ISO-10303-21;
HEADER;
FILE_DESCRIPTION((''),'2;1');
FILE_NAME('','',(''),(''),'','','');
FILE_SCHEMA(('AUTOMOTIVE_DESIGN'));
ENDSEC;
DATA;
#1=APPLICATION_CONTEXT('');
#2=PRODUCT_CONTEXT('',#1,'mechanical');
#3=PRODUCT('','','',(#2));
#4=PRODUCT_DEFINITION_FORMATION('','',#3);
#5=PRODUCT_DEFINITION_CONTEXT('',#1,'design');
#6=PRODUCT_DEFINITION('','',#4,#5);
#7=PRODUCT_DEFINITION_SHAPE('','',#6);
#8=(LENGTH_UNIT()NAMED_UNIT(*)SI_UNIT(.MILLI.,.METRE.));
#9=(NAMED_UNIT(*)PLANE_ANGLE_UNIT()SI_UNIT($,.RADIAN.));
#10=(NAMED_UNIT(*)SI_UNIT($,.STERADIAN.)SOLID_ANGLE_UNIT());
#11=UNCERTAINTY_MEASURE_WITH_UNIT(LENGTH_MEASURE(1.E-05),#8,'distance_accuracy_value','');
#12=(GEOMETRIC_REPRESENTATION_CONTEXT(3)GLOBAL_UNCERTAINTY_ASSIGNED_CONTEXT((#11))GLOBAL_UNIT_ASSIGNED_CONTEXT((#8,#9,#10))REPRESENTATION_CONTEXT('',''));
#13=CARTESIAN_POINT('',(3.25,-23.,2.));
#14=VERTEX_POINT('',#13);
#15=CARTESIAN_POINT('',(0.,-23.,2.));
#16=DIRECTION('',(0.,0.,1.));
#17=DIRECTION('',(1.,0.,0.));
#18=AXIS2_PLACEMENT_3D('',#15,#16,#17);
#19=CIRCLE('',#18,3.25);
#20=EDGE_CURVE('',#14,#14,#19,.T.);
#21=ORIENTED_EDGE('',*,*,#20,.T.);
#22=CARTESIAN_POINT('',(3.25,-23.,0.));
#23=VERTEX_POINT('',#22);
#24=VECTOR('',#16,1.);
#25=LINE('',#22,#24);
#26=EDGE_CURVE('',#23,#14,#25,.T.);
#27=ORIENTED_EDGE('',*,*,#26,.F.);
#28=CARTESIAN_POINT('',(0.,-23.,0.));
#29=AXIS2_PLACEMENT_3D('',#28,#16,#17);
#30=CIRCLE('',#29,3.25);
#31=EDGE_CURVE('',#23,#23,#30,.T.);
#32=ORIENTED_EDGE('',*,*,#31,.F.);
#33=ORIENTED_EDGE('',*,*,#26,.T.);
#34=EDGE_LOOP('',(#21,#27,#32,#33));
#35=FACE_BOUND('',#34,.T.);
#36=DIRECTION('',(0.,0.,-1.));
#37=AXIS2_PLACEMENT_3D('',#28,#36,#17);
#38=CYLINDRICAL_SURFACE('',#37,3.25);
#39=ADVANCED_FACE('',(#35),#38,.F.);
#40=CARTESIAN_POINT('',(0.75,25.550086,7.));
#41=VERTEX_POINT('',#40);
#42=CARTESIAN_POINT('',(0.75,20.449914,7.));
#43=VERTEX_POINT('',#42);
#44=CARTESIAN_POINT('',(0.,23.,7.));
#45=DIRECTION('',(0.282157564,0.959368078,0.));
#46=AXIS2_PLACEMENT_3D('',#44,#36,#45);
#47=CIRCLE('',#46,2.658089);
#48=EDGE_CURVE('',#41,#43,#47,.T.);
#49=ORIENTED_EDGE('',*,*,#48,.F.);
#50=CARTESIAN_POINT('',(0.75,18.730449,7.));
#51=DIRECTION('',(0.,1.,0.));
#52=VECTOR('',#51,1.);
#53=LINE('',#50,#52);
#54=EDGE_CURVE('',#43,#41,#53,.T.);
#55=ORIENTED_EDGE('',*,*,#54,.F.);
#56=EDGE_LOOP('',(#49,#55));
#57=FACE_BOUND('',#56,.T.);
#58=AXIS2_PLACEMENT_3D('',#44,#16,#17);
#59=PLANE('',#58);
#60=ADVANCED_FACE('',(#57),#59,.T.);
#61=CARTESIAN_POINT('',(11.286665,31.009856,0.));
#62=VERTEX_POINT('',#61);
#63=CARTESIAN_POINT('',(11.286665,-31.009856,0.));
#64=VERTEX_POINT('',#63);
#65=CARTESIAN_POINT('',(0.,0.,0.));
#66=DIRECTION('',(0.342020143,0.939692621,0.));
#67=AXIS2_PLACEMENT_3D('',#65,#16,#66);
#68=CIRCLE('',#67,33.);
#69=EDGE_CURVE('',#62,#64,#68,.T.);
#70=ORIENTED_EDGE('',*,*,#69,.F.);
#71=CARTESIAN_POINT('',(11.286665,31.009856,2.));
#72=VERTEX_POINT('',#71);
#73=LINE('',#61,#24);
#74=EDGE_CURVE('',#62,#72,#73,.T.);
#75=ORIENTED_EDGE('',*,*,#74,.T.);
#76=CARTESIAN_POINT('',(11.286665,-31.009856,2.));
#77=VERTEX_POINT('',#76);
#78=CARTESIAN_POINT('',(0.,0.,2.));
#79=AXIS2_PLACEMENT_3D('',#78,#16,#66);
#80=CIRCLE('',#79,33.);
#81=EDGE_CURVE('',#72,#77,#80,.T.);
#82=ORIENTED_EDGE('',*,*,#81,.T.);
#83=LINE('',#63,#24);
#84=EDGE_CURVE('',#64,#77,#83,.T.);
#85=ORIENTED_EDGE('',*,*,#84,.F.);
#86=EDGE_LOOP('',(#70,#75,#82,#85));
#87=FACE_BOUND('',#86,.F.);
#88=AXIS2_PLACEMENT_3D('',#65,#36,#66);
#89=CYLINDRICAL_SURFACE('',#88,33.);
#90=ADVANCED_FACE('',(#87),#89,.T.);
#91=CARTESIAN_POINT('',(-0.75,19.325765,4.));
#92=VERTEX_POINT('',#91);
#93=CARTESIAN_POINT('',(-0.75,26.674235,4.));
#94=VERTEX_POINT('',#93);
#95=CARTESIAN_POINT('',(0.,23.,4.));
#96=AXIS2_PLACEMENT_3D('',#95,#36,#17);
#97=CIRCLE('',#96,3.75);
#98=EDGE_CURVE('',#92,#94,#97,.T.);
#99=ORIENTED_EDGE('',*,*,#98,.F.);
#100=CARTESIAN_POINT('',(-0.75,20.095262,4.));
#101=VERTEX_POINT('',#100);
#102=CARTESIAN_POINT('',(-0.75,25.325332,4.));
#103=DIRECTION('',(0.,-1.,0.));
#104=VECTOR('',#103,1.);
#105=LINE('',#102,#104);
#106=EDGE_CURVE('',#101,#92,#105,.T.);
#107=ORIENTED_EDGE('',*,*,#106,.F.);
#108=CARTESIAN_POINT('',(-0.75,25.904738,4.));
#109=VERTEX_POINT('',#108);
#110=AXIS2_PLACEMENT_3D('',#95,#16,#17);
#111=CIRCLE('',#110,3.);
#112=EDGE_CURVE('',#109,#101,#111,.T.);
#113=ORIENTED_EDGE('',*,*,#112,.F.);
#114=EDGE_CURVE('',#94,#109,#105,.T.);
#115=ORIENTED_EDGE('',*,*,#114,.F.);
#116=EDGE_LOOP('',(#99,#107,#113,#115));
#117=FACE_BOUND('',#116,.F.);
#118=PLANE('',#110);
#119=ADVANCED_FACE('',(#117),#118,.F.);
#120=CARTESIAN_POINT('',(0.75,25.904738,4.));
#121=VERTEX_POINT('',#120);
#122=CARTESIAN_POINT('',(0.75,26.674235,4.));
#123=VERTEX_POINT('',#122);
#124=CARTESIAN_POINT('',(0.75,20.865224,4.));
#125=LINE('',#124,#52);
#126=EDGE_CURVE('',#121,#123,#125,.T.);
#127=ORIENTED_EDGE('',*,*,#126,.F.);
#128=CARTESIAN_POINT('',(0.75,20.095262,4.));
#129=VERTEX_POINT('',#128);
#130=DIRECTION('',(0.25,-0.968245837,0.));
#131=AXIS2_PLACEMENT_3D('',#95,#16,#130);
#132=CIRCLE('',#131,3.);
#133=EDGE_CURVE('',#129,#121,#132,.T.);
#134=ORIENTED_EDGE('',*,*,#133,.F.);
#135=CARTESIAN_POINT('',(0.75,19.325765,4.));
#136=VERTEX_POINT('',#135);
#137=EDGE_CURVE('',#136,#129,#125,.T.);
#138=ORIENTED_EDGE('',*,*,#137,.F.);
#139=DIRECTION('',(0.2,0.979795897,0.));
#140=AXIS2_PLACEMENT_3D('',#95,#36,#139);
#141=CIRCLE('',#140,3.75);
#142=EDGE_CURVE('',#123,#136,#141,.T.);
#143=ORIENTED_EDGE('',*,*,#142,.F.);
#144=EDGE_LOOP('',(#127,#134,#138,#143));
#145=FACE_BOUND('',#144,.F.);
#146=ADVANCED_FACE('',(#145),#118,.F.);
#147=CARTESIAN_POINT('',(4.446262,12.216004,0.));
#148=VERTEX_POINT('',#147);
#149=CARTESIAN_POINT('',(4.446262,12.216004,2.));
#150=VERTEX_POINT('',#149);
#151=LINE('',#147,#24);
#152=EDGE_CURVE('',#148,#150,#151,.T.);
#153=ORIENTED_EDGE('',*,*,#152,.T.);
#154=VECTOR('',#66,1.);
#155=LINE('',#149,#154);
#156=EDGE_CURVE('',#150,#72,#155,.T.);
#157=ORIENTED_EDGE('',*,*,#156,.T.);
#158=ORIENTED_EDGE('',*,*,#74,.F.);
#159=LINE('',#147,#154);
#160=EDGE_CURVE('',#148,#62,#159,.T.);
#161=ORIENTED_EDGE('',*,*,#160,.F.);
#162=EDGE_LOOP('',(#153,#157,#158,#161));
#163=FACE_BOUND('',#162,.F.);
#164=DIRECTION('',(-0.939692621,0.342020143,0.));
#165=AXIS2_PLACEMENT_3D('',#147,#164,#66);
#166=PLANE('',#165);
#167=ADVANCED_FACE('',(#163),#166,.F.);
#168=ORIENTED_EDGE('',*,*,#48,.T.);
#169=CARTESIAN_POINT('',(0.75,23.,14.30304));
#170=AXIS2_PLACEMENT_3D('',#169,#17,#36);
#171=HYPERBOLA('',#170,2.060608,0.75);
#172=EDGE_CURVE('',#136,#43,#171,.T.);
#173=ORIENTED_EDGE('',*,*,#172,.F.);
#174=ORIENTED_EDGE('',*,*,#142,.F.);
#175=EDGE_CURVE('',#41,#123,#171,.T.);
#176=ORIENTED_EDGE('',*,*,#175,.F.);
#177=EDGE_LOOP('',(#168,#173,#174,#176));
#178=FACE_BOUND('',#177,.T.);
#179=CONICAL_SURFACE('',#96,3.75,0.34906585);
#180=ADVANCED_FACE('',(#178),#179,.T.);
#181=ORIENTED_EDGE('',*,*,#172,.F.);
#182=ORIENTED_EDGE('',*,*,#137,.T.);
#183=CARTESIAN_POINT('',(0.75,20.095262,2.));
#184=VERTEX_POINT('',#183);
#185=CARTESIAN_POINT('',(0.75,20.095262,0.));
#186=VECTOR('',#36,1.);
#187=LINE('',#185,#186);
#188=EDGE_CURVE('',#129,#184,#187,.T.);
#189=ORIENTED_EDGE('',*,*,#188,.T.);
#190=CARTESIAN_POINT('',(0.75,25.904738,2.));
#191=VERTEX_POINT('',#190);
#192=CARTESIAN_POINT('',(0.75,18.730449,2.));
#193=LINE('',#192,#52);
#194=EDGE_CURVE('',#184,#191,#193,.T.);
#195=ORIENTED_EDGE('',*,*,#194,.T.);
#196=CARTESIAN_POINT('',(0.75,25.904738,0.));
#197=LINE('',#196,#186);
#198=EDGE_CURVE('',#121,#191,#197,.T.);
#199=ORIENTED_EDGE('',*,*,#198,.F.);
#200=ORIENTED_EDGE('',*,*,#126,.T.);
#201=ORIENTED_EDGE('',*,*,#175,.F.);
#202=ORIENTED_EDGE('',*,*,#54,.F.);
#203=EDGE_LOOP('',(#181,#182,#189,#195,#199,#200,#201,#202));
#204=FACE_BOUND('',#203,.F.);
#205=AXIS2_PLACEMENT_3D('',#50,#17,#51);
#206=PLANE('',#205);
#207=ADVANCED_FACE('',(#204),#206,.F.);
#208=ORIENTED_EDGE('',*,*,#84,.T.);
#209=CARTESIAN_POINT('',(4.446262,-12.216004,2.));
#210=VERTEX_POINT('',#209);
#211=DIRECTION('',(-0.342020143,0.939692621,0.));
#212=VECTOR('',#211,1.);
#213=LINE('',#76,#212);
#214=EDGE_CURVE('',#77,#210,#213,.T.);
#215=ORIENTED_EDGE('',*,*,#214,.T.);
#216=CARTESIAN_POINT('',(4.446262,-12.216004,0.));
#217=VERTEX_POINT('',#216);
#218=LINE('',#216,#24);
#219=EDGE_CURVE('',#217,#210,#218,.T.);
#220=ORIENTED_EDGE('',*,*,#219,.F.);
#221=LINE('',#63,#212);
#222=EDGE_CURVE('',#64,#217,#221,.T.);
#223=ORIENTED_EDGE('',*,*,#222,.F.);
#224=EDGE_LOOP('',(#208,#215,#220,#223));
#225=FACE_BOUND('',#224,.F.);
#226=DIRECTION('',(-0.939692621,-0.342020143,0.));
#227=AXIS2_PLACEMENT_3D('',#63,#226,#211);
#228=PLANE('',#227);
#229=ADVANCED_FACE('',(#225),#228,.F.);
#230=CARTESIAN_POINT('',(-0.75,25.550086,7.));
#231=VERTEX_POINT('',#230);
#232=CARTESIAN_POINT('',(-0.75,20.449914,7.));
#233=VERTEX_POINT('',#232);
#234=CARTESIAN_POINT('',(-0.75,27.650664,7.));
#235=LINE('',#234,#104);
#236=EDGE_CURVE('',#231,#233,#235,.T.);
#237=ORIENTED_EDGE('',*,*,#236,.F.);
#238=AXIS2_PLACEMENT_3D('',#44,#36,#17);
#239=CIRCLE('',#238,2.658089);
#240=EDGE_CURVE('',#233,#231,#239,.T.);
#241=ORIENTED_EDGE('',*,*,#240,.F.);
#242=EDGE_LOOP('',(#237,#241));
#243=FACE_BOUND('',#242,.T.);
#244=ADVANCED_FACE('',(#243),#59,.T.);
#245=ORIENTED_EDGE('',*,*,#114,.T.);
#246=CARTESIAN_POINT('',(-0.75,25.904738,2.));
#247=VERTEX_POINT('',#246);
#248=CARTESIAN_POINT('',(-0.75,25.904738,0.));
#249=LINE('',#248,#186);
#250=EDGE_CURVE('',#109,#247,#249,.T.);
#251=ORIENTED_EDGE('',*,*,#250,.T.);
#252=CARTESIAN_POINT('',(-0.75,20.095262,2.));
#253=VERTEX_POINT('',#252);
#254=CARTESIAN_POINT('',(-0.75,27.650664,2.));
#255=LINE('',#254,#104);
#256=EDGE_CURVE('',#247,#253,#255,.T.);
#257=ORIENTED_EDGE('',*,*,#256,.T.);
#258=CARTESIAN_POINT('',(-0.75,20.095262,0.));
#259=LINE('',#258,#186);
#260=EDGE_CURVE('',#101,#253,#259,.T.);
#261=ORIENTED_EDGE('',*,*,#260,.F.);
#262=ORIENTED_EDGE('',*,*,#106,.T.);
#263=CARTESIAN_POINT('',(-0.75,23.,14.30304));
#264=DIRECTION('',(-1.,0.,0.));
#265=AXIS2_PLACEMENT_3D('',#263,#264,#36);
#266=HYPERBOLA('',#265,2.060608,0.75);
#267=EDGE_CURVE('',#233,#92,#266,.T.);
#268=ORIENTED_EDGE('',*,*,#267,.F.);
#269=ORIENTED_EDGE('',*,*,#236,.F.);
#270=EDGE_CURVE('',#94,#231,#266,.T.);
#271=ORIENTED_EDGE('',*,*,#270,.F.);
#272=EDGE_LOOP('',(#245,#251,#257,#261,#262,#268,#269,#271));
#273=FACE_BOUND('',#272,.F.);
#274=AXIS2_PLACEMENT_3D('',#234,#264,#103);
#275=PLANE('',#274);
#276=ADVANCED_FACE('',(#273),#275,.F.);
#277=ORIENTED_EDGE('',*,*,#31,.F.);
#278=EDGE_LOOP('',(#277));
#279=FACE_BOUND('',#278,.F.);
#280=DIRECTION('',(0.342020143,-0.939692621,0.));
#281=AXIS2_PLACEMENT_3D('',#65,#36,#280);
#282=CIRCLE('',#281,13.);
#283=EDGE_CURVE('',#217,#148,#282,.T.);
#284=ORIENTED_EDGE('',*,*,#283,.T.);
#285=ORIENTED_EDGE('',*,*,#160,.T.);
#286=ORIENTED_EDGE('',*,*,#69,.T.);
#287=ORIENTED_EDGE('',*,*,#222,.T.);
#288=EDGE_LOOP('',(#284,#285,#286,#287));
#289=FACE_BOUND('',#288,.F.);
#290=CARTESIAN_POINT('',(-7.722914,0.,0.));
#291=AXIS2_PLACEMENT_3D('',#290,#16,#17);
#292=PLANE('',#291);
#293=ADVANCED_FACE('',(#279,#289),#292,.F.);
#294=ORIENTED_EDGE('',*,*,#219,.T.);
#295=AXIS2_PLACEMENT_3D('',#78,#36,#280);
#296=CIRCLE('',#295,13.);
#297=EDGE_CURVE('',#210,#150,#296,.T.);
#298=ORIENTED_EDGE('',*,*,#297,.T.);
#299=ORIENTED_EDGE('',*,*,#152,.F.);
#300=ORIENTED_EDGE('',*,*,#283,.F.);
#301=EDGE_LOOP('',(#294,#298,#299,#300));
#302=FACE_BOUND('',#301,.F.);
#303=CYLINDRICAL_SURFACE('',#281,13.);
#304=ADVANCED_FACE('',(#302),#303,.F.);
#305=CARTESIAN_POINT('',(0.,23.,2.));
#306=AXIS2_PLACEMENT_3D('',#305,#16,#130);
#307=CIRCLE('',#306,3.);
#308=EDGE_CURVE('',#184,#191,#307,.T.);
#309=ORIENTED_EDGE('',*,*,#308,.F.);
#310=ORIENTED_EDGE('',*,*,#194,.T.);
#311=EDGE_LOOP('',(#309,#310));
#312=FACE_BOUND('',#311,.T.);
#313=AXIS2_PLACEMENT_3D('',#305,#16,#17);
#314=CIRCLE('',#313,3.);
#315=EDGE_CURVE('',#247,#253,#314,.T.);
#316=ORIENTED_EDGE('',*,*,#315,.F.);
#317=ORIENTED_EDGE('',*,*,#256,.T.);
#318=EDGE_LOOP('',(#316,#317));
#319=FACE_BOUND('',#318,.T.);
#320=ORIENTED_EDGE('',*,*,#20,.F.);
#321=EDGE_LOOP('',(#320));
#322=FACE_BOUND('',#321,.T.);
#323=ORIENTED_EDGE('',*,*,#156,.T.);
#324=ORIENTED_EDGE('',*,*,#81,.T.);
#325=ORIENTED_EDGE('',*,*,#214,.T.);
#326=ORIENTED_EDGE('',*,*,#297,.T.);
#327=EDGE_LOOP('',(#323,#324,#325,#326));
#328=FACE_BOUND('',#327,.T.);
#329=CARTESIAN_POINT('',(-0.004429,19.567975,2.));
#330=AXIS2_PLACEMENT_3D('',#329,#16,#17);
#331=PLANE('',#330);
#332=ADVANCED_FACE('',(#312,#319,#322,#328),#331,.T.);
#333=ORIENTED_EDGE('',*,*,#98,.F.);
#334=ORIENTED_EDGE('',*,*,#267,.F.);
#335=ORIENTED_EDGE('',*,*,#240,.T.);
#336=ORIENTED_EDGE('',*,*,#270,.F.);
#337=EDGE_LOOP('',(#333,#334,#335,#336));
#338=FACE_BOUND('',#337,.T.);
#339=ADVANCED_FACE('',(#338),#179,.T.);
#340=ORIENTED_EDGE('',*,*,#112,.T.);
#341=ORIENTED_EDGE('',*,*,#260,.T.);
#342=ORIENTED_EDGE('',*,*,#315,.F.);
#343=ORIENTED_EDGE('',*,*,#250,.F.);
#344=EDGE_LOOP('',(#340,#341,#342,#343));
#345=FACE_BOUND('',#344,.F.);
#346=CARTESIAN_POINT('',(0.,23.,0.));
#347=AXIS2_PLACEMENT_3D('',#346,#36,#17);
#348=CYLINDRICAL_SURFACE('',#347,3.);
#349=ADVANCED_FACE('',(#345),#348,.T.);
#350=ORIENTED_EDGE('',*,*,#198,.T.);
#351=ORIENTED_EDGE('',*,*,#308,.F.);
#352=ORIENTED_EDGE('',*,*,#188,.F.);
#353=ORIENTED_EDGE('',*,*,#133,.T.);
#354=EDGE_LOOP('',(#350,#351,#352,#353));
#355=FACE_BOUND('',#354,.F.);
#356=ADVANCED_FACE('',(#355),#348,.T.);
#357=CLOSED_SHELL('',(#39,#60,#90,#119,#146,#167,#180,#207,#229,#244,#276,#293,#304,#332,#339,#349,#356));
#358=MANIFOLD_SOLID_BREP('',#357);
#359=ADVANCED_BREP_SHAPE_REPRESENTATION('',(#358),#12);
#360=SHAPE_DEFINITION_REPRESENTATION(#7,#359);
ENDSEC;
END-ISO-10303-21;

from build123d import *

# Parameters (mm, degrees)
F0_R     = 3.25
F0_R_2   = 3
F1_DEPTH = 2
F2_DEPTH = 4
F3_R     = 3.75
F3_R_2   = 3
F4_DEPTH = 3
F4_TAPER = 20
F6_DEPTH = 5


with BuildPart() as f1:
    # F0 (on Top) → F1 (new body)
    with BuildSketch(Plane.XY):
        with BuildLine():
            ThreePointArc((4.4462618632, -12.2160040702), (-13, 0), (4.4462618632, 12.2160040702))
            Line((4.4462618632, 12.2160040702), (11.2866647297, 31.0098564859))
            ThreePointArc((11.2866647297, 31.0098564859), (-33, 0), (11.2866647297, -31.0098564859))
            Line((11.2866647297, -31.0098564859), (4.4462618632, -12.2160040702))
        make_face()
        with Locations((0, -23)):
            Circle(F0_R, mode=Mode.SUBTRACT)
        with Locations((0, 23)):
            Circle(F0_R_2, mode=Mode.SUBTRACT)
    extrude(amount=F1_DEPTH)

    # F0 (on Top) → F2 (join)
    with BuildSketch(Plane.XY):
        with Locations((0, 23)):
            Circle(F0_R_2)
    extrude(amount=F2_DEPTH)

    # F3 (on face) → F4 (join)
    with BuildSketch(Plane.XY.offset(4)):
        with Locations((0, 23)):
            Circle(F3_R)
        with Locations((0, 23)):
            Circle(F3_R_2, mode=Mode.SUBTRACT)
        with Locations((0, 23)):
            Circle(F3_R_2)
    extrude(amount=F4_DEPTH, taper=F4_TAPER)

    # F5 (on face) → F6 (cut)
    with BuildSketch(Plane.XY.offset(7)):
        with BuildLine():
            ThreePointArc((0.75, 20.4499139795), (0, 20.3419107028), (-0.75, 20.4499139795))
            Line((-0.75, 20.4499139795), (-0.75, 18.6920836568))
            Line((-0.75, 18.6920836568), (0.75, 18.7304485589))
            Line((0.75, 18.7304485589), (0.75, 20.4499139795))
        make_face()
        with BuildLine():
            ThreePointArc((0.75, 25.5500860205), (0, 25.6580892972), (-0.75, 25.5500860205))
            Line((-0.75, 25.5500860205), (-0.75, 20.4499139795))
            ThreePointArc((-0.75, 20.4499139795), (0, 20.3419107028), (0.75, 20.4499139795))
            Line((0.75, 20.4499139795), (0.75, 25.5500860205))
        make_face()
        with BuildLine():
            Line((-0.75, 27.6506636292), (-0.75, 25.5500860205))
            ThreePointArc((-0.75, 25.5500860205), (0, 25.6580892972), (0.75, 25.5500860205))
            Line((0.75, 25.5500860205), (0.75, 27.6890285313))
            Line((0.75, 27.6890285313), (-0.75, 27.6506636292))
        make_face()
    extrude(amount=-F6_DEPTH, mode=Mode.SUBTRACT)


solid = f1.part
